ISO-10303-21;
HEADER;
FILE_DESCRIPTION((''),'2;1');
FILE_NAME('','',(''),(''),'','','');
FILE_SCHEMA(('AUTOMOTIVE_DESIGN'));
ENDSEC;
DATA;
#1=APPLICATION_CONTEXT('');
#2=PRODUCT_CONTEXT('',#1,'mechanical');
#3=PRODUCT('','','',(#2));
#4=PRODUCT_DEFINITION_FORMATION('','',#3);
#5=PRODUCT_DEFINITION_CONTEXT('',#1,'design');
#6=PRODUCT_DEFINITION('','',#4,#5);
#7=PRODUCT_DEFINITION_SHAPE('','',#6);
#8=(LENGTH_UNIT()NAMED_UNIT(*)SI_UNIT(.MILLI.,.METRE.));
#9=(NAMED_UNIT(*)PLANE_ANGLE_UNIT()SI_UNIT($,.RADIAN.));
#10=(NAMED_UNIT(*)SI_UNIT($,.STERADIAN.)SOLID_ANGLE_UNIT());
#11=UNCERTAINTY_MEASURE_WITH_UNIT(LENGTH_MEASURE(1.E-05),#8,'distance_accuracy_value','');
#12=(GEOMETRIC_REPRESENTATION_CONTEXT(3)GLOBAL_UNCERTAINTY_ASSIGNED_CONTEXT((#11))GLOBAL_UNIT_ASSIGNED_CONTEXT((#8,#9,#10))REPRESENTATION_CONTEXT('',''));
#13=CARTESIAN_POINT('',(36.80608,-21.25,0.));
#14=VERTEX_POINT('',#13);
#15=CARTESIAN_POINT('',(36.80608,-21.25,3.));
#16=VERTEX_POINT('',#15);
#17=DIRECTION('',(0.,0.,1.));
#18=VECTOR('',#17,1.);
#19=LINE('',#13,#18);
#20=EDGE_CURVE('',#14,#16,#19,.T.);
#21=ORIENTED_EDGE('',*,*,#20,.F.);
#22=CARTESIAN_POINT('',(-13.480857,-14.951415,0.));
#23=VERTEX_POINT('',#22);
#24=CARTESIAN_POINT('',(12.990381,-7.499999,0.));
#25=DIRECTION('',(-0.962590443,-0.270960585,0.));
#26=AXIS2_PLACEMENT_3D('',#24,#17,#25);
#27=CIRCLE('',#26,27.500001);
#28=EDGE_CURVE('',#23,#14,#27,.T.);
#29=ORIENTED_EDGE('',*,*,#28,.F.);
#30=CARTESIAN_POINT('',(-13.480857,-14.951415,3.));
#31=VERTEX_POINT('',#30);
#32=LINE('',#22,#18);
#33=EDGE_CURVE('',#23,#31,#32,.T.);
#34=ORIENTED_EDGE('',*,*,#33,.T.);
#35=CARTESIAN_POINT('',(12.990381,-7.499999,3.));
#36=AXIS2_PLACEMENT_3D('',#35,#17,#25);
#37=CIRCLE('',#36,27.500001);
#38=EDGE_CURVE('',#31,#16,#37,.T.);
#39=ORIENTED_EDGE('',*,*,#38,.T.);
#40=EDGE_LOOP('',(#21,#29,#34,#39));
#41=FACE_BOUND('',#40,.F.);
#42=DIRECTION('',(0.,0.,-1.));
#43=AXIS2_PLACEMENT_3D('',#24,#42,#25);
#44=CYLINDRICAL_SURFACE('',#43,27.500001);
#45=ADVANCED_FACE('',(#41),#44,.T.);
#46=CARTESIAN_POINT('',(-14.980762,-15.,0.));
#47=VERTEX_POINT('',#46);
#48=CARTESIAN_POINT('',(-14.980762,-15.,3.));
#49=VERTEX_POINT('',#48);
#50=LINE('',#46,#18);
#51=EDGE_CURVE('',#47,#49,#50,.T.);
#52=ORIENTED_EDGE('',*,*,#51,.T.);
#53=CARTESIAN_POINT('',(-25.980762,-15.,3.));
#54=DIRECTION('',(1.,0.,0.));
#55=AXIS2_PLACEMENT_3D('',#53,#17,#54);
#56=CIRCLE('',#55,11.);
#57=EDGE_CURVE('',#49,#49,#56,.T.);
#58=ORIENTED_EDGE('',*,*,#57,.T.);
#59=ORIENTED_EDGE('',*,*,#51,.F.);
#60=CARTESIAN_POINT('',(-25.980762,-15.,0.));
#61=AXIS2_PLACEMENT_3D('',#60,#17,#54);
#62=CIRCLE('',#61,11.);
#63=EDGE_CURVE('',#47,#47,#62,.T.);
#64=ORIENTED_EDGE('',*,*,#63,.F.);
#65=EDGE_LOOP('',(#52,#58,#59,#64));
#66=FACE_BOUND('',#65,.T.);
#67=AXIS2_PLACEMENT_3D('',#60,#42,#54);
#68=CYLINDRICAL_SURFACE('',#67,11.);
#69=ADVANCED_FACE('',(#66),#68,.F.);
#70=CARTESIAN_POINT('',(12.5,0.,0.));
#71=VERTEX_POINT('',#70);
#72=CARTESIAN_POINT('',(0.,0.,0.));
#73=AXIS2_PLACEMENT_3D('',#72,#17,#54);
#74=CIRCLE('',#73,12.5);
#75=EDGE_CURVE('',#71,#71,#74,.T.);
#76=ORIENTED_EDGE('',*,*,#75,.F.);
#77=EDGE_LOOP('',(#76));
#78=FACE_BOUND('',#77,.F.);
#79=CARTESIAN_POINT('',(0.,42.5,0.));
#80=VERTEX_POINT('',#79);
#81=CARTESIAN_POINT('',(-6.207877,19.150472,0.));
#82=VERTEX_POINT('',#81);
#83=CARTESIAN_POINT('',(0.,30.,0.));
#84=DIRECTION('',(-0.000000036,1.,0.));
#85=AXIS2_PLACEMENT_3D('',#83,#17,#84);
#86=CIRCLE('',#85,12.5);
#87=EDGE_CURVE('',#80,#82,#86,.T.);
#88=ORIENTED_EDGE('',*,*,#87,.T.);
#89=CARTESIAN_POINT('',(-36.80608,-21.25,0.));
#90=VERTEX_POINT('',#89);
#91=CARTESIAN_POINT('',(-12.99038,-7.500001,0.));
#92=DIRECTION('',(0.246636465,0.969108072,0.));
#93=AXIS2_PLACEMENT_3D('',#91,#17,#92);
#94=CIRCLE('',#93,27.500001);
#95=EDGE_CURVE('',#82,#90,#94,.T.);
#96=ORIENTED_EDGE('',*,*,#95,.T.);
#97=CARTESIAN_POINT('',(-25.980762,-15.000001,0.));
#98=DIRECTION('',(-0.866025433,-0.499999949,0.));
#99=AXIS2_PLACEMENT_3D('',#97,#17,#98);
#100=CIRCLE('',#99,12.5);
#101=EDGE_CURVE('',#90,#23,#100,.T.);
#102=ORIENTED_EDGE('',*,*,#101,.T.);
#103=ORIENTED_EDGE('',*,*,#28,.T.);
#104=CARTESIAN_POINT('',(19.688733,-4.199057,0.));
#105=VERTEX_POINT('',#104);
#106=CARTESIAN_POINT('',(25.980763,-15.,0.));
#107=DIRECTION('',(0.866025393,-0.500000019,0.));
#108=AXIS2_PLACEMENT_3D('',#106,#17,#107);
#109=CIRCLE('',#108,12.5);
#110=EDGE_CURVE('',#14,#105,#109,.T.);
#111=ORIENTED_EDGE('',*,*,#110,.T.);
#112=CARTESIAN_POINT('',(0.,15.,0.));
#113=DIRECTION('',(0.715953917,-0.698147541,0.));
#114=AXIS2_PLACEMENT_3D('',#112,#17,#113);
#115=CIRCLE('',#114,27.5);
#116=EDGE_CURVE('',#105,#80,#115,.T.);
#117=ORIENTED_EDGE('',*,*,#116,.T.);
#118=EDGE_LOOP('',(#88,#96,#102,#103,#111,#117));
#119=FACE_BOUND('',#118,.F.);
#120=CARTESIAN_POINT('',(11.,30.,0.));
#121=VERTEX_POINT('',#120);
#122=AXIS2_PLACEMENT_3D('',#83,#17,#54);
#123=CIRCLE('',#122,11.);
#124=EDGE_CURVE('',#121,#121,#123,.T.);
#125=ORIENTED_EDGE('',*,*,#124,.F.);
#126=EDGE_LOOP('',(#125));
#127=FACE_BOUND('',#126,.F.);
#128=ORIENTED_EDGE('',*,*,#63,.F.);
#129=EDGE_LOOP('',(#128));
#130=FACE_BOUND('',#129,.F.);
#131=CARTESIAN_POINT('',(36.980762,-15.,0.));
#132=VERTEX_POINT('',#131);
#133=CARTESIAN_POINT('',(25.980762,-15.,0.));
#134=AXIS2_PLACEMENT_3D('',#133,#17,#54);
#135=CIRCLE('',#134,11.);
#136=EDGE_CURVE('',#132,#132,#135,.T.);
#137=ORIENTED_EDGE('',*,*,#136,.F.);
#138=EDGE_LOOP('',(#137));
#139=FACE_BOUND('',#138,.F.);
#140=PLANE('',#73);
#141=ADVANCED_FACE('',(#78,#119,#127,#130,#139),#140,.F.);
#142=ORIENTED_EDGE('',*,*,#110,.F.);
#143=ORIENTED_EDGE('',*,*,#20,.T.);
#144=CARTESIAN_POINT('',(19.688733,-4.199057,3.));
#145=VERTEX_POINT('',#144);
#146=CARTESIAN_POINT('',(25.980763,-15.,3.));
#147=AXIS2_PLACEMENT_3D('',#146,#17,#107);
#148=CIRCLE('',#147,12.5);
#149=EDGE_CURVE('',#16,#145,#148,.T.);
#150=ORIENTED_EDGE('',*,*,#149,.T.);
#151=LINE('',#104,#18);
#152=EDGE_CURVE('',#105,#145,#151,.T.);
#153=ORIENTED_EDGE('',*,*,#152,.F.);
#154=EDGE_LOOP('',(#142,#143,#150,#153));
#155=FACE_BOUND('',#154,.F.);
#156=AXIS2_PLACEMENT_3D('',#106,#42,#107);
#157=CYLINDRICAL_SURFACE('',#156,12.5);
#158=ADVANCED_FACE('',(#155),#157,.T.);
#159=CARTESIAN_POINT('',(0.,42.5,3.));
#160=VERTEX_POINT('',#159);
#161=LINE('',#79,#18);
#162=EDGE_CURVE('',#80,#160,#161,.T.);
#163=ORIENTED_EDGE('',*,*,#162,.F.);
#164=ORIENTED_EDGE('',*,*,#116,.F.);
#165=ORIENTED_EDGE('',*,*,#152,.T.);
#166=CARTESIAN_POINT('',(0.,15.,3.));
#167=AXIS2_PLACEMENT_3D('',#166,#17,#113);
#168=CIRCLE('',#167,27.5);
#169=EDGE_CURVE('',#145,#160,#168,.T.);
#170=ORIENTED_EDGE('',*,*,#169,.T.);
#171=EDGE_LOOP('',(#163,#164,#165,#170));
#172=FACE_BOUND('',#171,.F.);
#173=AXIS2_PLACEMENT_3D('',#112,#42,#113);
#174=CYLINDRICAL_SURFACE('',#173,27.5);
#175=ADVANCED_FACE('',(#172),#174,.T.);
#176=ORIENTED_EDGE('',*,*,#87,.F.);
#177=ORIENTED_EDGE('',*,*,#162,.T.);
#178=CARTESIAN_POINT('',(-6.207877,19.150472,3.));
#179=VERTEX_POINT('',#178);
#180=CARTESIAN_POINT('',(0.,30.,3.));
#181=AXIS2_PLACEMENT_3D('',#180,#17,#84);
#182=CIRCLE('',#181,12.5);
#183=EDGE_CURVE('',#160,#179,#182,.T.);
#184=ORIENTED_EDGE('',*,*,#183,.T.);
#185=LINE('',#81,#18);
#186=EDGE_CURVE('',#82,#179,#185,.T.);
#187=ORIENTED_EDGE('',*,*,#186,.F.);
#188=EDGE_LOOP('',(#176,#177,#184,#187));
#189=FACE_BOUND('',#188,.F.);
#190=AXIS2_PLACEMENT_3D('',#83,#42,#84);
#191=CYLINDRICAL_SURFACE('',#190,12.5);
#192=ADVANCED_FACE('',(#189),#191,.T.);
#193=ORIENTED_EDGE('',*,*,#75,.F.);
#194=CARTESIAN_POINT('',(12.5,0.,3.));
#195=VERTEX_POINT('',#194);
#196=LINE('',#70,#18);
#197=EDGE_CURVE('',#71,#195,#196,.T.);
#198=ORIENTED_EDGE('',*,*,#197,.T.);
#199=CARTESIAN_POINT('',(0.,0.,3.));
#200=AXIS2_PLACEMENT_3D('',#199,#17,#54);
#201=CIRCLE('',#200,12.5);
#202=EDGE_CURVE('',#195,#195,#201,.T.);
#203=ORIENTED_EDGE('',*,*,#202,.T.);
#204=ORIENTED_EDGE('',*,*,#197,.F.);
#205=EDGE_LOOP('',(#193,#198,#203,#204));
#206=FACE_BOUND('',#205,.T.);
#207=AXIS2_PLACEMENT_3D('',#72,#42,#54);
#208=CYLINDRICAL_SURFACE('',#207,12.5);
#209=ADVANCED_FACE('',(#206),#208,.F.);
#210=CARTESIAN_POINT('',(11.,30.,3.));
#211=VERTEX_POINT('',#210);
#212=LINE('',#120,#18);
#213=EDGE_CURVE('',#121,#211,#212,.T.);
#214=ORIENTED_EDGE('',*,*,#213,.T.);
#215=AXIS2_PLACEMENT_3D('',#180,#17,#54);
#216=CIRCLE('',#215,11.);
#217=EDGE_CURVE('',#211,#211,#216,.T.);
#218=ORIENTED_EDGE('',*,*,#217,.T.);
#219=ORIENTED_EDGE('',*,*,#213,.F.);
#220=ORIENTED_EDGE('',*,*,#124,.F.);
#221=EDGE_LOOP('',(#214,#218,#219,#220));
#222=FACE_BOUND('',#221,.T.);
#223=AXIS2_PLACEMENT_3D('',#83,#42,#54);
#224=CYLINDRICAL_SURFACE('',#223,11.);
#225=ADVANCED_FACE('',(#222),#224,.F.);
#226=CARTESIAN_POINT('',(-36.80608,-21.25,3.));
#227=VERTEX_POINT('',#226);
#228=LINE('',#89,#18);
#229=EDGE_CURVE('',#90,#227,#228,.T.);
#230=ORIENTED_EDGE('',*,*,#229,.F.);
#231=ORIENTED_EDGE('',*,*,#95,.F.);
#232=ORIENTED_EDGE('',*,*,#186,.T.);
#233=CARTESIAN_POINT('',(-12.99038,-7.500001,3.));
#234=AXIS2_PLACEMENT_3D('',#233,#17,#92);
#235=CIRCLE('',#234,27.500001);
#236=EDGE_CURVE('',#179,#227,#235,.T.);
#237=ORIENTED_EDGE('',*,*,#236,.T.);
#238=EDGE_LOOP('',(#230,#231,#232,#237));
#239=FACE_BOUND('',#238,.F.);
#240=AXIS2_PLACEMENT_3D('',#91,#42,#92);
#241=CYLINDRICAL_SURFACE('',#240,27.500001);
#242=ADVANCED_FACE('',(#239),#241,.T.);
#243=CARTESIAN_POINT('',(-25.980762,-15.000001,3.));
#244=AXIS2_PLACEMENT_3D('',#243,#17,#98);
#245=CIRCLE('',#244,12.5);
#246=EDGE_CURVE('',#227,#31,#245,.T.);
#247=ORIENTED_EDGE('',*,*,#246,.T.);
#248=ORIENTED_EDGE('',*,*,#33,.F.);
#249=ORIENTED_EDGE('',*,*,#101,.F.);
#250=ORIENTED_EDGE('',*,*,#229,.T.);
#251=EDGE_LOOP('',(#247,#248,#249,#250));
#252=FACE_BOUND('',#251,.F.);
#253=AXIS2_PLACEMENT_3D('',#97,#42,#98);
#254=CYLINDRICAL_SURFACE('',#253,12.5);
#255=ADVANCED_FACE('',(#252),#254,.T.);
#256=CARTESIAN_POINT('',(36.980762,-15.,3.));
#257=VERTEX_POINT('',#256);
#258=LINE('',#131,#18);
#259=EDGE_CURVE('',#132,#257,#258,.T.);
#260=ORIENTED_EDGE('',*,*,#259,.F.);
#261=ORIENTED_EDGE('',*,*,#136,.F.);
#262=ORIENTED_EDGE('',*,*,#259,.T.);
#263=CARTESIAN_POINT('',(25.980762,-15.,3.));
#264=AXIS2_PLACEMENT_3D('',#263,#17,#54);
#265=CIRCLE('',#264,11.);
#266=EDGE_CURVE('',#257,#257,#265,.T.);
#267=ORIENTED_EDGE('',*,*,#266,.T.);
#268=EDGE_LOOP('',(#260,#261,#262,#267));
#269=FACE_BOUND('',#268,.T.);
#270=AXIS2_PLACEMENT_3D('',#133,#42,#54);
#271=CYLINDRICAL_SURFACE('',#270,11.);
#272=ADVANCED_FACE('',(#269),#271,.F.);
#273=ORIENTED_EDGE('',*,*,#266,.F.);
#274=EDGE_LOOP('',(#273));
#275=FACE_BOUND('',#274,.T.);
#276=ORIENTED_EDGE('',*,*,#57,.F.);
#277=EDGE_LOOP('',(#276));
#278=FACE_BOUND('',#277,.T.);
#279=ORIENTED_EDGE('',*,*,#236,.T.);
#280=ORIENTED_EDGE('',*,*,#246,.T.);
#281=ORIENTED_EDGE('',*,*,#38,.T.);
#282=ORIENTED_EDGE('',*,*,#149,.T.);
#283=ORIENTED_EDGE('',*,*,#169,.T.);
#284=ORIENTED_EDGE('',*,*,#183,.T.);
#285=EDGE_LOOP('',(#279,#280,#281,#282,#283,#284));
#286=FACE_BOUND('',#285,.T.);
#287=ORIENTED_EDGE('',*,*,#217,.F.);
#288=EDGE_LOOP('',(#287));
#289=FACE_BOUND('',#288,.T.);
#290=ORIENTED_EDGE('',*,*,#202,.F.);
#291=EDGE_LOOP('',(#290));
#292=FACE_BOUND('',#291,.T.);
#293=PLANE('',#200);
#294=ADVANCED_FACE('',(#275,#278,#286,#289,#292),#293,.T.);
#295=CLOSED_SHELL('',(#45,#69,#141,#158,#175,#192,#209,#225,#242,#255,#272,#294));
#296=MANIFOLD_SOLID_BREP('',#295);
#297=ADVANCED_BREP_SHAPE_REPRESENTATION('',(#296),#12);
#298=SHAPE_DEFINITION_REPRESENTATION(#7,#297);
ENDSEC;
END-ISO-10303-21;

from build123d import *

# Parameters (mm, degrees)
F0_R     = 11
F0_R_2   = 12.5
F1_DEPTH = 3


with BuildPart() as f1:
    # F0 (on Top) → F1 (new body)
    with BuildSketch(Plane.XY):
        with BuildLine():
            ThreePointArc((-36.80608, -21.25), (-22.722065, -27.067763), (-13.480857, -14.951415))
            ThreePointArc((-13.480857, -14.951415), (9.572631, -34.786791), (36.80608, -21.25))
            ThreePointArc((36.80608, -21.25), (34.802403, -6.144004), (19.688733, -4.199057))
            ThreePointArc((19.688733, -4.199057), (25.33993, 25.683537), (0, 42.5))
            ThreePointArc((0, 42.5), (-12.080337, 33.211767), (-6.207877, 19.150472))
            ThreePointArc((-6.207877, 19.150472), (-34.91256, 9.103254), (-36.80608, -21.25))
        make_face()
        with Locations((-25.980762, -15)):
            Circle(F0_R, mode=Mode.SUBTRACT)
        Circle(F0_R_2, mode=Mode.SUBTRACT)
        with Locations((25.980762, -15)):
            Circle(F0_R, mode=Mode.SUBTRACT)
        with Locations((0, 30)):
            Circle(F0_R, mode=Mode.SUBTRACT)
    extrude(amount=F1_DEPTH)


solid = f1.part
